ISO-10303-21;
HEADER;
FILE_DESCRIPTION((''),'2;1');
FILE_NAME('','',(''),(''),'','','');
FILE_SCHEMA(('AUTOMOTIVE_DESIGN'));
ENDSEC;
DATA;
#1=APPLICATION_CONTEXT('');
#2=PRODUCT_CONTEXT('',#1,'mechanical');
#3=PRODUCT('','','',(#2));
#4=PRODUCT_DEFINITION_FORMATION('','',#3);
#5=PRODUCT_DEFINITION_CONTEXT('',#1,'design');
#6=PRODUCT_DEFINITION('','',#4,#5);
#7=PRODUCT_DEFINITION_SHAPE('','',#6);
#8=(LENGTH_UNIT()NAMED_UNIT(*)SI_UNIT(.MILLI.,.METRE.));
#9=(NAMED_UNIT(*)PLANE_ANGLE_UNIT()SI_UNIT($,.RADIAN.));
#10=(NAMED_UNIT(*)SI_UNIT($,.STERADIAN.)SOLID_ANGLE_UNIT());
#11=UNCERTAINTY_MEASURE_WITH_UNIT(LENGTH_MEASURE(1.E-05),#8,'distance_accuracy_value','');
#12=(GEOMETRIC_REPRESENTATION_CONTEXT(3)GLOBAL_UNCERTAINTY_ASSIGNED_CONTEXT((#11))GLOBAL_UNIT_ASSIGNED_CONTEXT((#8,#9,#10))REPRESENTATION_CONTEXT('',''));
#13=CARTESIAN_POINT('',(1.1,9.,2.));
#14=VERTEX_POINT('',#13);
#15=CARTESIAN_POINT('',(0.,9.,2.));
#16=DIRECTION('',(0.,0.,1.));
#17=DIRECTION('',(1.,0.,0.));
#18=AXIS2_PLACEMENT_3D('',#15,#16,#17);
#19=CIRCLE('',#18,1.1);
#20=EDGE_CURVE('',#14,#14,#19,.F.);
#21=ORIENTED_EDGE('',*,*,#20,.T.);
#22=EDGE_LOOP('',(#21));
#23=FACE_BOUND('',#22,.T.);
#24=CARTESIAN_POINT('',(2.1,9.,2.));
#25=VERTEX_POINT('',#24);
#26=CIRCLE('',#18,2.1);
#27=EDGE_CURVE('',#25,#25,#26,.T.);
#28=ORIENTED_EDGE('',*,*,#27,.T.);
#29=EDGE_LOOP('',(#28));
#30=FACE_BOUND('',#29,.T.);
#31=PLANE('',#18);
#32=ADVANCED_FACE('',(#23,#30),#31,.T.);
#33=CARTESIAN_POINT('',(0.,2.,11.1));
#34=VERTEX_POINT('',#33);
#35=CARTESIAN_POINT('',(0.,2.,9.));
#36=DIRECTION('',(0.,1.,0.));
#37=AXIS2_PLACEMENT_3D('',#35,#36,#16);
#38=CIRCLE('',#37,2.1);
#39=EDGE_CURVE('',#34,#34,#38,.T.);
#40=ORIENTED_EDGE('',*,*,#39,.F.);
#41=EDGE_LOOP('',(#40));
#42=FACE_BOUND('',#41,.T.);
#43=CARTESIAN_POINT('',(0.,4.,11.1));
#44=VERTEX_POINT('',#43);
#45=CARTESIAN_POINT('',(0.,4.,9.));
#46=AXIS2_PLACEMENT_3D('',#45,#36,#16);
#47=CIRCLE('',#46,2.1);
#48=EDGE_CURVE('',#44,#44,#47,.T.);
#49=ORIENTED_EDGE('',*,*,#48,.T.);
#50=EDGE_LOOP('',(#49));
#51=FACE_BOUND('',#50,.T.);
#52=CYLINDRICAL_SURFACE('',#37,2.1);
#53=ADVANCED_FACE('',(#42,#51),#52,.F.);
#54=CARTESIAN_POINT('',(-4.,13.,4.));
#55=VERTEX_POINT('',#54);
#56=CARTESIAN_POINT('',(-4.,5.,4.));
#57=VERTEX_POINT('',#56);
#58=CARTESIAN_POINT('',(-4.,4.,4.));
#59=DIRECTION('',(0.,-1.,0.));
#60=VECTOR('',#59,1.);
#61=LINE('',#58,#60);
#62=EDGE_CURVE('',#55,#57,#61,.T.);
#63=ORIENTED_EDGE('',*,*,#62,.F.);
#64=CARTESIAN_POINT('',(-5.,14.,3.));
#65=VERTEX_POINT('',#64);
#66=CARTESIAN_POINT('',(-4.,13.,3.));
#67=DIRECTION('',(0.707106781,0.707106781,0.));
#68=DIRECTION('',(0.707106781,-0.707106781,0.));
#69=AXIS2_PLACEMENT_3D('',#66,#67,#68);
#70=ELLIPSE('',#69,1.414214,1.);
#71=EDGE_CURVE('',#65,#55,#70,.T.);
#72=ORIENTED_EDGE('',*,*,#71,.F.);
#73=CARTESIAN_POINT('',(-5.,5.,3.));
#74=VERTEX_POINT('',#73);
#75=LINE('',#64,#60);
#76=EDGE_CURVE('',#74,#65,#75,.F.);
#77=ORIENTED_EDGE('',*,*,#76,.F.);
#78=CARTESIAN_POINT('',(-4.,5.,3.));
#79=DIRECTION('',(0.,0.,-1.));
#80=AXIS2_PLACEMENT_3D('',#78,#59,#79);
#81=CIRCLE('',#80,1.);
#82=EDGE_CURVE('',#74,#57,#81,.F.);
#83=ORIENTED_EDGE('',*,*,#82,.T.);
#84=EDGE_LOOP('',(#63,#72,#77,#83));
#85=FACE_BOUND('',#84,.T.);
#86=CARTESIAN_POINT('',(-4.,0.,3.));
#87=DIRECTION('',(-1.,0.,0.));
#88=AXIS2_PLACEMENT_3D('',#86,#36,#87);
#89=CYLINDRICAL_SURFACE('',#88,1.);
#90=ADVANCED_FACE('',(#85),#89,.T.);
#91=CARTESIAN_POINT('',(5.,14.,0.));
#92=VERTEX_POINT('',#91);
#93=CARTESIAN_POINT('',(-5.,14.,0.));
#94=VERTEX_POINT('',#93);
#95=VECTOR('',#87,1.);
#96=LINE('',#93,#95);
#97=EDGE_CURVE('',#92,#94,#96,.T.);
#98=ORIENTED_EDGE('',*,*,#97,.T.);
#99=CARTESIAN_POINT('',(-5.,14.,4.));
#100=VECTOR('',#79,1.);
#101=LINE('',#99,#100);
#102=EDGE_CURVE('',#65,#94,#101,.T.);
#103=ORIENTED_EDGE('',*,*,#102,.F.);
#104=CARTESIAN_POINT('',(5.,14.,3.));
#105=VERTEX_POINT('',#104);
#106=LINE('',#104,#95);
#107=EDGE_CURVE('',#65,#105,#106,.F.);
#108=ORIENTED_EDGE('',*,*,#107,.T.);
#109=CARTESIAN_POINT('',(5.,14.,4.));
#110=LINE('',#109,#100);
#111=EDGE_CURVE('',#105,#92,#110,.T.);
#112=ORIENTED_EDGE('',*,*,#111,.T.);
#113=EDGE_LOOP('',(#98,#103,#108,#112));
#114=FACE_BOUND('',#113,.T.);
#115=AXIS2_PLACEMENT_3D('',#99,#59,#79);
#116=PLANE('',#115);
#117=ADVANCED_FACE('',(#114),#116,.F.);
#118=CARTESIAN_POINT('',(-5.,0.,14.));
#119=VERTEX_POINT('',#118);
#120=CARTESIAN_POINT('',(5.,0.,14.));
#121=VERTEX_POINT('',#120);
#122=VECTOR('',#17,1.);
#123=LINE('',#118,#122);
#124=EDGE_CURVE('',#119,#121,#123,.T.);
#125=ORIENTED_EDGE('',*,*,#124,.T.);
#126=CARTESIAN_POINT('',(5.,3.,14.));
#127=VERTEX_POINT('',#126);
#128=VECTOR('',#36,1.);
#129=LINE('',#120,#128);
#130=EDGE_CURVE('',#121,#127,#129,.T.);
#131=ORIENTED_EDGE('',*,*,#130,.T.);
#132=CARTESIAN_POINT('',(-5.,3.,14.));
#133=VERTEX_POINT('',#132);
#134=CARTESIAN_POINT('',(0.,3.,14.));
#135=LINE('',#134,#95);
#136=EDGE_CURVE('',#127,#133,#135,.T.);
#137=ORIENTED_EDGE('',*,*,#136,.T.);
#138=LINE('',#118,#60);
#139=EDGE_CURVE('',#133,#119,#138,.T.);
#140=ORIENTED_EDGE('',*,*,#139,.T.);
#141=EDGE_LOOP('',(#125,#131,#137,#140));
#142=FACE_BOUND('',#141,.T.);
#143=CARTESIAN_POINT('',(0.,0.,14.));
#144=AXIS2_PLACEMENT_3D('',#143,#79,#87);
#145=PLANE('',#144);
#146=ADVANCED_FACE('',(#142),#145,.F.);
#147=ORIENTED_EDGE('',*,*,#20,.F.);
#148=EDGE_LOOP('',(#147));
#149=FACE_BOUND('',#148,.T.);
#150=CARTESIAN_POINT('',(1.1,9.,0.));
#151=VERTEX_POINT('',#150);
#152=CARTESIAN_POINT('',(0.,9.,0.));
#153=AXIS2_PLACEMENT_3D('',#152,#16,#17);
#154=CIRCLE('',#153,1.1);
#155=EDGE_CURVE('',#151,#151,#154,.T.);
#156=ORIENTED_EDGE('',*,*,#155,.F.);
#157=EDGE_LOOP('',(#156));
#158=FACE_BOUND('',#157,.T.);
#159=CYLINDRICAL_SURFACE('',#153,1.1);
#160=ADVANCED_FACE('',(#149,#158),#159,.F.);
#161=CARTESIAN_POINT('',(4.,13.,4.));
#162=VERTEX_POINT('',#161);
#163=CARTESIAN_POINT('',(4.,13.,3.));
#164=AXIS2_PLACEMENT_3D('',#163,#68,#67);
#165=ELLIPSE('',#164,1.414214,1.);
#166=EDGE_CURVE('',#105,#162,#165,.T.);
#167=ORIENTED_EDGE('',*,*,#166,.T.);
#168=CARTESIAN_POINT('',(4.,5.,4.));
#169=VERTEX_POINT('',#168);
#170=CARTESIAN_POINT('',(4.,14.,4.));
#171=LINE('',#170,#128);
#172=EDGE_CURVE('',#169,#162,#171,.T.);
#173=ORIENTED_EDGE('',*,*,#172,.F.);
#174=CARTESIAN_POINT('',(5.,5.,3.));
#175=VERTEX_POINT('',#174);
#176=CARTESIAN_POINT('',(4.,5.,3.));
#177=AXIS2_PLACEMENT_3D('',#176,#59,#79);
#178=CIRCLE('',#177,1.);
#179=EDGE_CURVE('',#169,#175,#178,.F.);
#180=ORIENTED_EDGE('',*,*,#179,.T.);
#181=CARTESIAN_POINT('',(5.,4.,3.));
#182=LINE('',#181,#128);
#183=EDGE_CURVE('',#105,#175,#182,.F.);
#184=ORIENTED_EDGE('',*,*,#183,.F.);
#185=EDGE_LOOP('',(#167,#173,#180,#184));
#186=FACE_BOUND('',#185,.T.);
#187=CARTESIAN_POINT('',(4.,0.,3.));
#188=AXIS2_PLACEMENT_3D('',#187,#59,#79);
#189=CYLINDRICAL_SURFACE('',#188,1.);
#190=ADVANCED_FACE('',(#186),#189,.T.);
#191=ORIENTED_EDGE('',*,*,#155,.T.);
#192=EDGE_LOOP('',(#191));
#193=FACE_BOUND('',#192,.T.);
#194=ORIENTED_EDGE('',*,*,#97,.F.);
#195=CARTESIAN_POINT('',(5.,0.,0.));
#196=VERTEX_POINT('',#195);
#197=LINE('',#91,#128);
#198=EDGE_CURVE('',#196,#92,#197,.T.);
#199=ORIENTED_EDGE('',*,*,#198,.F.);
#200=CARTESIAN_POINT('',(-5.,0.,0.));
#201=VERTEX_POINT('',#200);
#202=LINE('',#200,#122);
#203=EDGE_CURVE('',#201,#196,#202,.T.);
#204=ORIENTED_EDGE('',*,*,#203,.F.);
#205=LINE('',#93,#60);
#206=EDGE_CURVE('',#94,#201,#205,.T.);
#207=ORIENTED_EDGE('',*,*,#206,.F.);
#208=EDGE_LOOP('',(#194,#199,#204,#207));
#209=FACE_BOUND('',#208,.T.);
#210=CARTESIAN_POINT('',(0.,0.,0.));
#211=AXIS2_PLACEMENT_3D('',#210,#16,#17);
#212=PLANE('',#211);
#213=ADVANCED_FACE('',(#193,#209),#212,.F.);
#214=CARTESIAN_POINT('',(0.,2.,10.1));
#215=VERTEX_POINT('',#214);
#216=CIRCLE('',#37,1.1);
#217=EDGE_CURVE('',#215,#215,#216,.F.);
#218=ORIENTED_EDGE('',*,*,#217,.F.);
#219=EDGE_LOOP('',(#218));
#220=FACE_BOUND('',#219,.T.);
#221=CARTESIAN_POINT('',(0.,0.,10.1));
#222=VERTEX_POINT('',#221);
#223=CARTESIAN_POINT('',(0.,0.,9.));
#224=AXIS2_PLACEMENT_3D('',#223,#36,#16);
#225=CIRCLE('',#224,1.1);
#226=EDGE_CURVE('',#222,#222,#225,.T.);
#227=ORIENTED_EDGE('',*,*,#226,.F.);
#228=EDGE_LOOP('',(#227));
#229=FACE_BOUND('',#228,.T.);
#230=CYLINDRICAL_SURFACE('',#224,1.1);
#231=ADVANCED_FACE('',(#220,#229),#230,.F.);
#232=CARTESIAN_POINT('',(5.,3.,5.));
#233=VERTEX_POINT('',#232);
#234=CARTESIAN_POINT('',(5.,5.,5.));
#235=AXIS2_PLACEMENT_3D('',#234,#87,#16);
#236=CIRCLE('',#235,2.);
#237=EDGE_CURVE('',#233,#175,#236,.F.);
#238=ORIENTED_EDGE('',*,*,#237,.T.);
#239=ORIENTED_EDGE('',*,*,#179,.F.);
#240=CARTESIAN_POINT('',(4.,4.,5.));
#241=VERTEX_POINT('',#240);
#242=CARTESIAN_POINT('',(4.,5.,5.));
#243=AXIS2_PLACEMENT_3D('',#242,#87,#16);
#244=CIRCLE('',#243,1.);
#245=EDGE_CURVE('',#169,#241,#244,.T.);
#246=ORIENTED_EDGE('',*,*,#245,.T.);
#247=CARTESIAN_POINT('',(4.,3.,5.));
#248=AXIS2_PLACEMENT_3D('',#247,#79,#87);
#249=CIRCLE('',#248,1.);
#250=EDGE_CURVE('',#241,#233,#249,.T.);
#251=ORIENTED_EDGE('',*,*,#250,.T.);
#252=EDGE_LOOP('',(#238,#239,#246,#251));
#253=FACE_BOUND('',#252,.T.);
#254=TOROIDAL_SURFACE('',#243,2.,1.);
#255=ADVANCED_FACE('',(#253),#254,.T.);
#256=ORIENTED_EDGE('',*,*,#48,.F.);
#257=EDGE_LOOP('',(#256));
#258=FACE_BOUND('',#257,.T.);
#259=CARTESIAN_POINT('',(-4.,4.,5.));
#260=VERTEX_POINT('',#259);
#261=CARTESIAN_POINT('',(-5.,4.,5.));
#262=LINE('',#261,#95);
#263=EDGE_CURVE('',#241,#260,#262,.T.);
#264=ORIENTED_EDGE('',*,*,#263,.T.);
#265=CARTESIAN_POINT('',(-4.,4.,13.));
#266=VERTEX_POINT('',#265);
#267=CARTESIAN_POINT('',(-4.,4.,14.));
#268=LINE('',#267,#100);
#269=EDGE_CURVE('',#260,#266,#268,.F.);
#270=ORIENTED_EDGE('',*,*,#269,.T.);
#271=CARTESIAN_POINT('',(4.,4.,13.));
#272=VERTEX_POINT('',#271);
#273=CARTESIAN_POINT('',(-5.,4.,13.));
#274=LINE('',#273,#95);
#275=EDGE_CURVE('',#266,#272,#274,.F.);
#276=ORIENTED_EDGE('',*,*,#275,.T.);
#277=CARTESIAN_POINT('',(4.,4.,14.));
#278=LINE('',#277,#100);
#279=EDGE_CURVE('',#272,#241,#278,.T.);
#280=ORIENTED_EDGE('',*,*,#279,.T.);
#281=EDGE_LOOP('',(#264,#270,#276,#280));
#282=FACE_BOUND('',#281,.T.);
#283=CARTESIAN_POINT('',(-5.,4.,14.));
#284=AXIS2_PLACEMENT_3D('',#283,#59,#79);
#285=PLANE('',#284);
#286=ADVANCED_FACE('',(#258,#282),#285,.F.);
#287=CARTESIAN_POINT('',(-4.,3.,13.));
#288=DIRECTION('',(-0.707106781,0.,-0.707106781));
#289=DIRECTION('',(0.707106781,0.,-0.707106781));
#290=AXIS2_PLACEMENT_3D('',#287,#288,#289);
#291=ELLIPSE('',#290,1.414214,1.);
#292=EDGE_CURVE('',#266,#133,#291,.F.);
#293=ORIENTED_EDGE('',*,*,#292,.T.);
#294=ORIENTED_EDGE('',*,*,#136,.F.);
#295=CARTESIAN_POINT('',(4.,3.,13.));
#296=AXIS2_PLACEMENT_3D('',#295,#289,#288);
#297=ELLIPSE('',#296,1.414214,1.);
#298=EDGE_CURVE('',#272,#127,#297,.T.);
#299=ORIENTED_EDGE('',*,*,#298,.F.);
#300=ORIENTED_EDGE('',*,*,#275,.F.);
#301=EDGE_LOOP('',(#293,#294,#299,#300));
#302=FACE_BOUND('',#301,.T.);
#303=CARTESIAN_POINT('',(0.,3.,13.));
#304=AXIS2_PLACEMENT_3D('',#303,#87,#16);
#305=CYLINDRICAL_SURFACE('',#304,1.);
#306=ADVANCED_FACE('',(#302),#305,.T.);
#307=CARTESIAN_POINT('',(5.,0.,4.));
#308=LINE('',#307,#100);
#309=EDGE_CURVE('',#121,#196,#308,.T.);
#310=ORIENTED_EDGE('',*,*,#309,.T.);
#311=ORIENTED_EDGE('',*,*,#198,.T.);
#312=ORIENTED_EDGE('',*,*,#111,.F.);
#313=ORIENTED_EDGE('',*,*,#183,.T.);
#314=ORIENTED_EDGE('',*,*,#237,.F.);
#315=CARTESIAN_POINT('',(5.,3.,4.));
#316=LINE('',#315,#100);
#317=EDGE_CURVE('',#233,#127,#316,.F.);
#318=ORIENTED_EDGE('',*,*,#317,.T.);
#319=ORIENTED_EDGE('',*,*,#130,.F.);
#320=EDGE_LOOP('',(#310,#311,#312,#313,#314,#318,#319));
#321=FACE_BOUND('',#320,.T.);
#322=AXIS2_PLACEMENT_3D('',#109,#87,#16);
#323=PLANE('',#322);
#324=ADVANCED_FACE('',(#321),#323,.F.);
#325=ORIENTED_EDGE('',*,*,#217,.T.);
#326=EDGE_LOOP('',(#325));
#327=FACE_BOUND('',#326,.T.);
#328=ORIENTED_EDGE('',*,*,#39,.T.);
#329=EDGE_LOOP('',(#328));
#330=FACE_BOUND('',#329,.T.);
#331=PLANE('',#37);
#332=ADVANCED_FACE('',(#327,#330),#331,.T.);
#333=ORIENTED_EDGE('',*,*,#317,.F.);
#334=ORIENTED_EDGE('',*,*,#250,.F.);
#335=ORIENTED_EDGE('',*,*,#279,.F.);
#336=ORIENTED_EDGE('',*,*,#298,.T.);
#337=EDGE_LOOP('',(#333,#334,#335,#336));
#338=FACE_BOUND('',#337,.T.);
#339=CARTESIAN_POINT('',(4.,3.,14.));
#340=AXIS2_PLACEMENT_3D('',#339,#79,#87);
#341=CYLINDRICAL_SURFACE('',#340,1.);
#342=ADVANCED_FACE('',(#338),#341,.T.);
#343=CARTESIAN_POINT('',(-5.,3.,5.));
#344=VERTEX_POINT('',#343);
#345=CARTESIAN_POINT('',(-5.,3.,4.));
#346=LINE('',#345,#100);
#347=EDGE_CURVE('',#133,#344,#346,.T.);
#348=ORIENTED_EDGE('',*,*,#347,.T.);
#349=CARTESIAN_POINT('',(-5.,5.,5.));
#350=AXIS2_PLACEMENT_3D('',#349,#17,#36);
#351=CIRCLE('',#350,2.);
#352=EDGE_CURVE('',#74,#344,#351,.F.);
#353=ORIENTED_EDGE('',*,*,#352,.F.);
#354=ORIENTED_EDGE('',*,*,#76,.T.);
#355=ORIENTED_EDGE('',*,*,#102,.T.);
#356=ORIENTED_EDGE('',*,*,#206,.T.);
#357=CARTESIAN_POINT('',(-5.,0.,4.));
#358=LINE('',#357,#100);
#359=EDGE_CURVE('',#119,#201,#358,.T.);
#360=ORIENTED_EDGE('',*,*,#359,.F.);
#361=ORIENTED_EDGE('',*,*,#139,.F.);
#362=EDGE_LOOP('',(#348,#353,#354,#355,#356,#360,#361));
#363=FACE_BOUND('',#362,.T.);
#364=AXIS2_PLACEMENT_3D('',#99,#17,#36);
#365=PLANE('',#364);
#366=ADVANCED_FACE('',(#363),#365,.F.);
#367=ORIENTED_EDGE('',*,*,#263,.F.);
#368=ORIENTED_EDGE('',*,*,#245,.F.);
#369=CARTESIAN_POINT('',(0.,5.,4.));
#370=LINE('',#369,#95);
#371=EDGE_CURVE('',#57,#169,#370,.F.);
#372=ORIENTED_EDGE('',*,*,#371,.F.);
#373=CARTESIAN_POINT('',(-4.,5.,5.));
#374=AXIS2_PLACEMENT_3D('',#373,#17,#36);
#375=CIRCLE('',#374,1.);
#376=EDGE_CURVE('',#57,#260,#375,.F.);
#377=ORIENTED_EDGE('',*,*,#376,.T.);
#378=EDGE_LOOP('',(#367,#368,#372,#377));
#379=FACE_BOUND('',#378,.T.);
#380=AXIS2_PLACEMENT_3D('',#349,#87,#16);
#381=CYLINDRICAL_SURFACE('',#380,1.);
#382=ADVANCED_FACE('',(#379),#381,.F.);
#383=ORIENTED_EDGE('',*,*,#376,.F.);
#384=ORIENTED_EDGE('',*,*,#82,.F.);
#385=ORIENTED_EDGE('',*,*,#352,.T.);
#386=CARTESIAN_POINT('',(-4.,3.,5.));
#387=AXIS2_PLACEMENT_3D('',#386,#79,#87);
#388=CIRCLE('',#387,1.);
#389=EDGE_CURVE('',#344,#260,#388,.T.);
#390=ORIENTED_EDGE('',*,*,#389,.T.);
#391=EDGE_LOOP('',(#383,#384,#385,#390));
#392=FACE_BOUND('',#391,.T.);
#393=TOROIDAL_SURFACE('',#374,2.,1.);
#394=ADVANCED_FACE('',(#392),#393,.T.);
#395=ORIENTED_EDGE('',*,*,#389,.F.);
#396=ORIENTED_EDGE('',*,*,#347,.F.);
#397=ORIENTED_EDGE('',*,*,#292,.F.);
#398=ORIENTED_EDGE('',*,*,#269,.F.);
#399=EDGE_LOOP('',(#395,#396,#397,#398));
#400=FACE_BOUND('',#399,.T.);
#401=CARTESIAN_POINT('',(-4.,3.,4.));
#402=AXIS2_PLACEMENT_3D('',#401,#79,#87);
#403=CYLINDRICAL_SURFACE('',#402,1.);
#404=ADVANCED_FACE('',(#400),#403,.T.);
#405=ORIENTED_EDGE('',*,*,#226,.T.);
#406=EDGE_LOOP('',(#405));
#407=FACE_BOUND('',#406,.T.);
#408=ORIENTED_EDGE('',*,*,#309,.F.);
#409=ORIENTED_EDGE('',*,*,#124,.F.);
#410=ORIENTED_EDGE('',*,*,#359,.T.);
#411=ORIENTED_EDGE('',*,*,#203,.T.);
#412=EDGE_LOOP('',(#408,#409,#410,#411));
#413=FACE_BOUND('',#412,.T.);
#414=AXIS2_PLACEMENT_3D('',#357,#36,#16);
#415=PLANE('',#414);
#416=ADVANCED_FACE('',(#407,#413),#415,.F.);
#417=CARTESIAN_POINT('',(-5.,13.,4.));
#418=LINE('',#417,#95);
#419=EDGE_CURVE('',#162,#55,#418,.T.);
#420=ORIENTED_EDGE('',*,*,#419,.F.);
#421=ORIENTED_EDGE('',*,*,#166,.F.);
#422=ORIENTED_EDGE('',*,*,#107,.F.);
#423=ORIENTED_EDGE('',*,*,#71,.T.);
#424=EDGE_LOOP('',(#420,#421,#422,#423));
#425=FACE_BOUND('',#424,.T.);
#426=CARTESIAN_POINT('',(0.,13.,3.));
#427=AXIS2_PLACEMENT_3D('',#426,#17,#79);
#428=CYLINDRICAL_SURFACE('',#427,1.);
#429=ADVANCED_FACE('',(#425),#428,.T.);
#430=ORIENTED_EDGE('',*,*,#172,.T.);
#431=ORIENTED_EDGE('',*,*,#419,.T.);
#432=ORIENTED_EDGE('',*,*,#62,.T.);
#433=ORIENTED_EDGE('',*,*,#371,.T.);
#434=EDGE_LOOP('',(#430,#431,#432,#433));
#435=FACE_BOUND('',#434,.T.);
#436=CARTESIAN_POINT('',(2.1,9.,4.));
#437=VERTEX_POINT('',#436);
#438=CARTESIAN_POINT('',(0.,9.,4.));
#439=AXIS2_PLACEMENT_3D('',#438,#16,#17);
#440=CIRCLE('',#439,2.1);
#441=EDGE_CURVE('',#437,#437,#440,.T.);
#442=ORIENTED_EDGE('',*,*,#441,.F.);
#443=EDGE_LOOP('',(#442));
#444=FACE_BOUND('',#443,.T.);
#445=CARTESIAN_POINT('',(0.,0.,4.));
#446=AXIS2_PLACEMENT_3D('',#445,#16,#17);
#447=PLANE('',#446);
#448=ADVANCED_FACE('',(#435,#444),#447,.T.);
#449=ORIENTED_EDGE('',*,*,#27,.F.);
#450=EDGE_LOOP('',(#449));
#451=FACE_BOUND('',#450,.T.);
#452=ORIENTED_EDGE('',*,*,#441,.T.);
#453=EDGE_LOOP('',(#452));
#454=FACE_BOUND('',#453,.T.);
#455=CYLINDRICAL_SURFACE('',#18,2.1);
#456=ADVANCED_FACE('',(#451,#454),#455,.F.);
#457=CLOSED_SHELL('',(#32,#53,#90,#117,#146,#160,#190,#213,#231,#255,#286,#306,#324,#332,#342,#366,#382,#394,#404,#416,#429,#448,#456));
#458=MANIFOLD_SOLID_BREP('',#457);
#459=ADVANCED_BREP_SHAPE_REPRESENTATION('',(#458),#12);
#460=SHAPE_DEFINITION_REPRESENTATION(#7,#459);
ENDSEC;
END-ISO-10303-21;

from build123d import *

# Parameters (mm, degrees)
ESQUISSE1_W             = 10
ESQUISSE1_H             = 14
BOSS_EXTRU_1_DEPTH      = 4
ESQUISSE2_W             = 10
ESQUISSE2_H             = 4
BOSS_EXTRU_2_DEPTH      = 10
ESQUISSE3_R             = 1.1
ENL_V_MAT_EXTRU_1_DEPTH = 5
CONG_1_R                = 1
ESQUISSE4_R             = 1.1
ENL_V_MAT_EXTRU_2_DEPTH = 5
ESQUISSE5_R             = 2.1
ENL_V_MAT_EXTRU_3_DEPTH = 2
ESQUISSE6_R             = 2.1
ENL_V_MAT_EXTRU_4_DEPTH = 2


with BuildPart() as part:
    # Esquisse1 → Boss.-Extru.1 (new body)
    with BuildSketch(Plane.XY):
        with Locations((0, 7)):
            Rectangle(ESQUISSE1_W, ESQUISSE1_H)
    extrude(amount=BOSS_EXTRU_1_DEPTH)

    # Esquisse2 → Boss.-Extru.2 (add)
    with BuildSketch(Plane.XY.offset(4)):
        with Locations((0, 2)):
            Rectangle(ESQUISSE2_W, ESQUISSE2_H)
    extrude(amount=BOSS_EXTRU_2_DEPTH)

    # Esquisse3 → Enlèv. mat.-Extru.1 (cut, through all)
    with BuildSketch(Plane.XY.offset(4)):
        with Locations((0, 9)):
            Circle(ESQUISSE3_R)
    extrude(amount=-ENL_V_MAT_EXTRU_1_DEPTH, mode=Mode.SUBTRACT)

    # Congé1
    cong_1_edges = [part.edges().sort_by_distance(p)[0] for p in [
        (5, 9, 4),
        (-5, 4, 9),
        (0, 4, 4),
        (5, 4, 9),
        (0, 14, 4),
        (0, 4, 14),
        (-5, 9, 4),
    ]]
    fillet(cong_1_edges, radius=CONG_1_R)

    # Esquisse4 → Enlèv. mat.-Extru.2 (cut, through all)
    with BuildSketch(Plane(origin=(0, 4, 0), x_dir=(1, 0, 0), z_dir=(0, 1, 0))):
        with Locations(Location((0, -9, 0), (0, 0, 270))):  # turned: the seam where the file's is
            Circle(ESQUISSE4_R)
    extrude(amount=-ENL_V_MAT_EXTRU_2_DEPTH, mode=Mode.SUBTRACT)

    # Esquisse5 → Enlèv. mat.-Extru.3 (cut)
    with BuildSketch(Plane.XY.offset(4)):
        with Locations((0, 9)):
            Circle(ESQUISSE5_R)
    extrude(amount=-ENL_V_MAT_EXTRU_3_DEPTH, mode=Mode.SUBTRACT)

    # Esquisse6 → Enlèv. mat.-Extru.4 (cut)
    with BuildSketch(Plane(origin=(0, 4, 0), x_dir=(1, 0, 0), z_dir=(0, 1, 0))):
        with Locations(Location((0, -9, 0), (0, 0, 270))):  # turned: the seam where the file's is
            Circle(ESQUISSE6_R)
    extrude(amount=-ENL_V_MAT_EXTRU_4_DEPTH, mode=Mode.SUBTRACT)


solid = part.part
